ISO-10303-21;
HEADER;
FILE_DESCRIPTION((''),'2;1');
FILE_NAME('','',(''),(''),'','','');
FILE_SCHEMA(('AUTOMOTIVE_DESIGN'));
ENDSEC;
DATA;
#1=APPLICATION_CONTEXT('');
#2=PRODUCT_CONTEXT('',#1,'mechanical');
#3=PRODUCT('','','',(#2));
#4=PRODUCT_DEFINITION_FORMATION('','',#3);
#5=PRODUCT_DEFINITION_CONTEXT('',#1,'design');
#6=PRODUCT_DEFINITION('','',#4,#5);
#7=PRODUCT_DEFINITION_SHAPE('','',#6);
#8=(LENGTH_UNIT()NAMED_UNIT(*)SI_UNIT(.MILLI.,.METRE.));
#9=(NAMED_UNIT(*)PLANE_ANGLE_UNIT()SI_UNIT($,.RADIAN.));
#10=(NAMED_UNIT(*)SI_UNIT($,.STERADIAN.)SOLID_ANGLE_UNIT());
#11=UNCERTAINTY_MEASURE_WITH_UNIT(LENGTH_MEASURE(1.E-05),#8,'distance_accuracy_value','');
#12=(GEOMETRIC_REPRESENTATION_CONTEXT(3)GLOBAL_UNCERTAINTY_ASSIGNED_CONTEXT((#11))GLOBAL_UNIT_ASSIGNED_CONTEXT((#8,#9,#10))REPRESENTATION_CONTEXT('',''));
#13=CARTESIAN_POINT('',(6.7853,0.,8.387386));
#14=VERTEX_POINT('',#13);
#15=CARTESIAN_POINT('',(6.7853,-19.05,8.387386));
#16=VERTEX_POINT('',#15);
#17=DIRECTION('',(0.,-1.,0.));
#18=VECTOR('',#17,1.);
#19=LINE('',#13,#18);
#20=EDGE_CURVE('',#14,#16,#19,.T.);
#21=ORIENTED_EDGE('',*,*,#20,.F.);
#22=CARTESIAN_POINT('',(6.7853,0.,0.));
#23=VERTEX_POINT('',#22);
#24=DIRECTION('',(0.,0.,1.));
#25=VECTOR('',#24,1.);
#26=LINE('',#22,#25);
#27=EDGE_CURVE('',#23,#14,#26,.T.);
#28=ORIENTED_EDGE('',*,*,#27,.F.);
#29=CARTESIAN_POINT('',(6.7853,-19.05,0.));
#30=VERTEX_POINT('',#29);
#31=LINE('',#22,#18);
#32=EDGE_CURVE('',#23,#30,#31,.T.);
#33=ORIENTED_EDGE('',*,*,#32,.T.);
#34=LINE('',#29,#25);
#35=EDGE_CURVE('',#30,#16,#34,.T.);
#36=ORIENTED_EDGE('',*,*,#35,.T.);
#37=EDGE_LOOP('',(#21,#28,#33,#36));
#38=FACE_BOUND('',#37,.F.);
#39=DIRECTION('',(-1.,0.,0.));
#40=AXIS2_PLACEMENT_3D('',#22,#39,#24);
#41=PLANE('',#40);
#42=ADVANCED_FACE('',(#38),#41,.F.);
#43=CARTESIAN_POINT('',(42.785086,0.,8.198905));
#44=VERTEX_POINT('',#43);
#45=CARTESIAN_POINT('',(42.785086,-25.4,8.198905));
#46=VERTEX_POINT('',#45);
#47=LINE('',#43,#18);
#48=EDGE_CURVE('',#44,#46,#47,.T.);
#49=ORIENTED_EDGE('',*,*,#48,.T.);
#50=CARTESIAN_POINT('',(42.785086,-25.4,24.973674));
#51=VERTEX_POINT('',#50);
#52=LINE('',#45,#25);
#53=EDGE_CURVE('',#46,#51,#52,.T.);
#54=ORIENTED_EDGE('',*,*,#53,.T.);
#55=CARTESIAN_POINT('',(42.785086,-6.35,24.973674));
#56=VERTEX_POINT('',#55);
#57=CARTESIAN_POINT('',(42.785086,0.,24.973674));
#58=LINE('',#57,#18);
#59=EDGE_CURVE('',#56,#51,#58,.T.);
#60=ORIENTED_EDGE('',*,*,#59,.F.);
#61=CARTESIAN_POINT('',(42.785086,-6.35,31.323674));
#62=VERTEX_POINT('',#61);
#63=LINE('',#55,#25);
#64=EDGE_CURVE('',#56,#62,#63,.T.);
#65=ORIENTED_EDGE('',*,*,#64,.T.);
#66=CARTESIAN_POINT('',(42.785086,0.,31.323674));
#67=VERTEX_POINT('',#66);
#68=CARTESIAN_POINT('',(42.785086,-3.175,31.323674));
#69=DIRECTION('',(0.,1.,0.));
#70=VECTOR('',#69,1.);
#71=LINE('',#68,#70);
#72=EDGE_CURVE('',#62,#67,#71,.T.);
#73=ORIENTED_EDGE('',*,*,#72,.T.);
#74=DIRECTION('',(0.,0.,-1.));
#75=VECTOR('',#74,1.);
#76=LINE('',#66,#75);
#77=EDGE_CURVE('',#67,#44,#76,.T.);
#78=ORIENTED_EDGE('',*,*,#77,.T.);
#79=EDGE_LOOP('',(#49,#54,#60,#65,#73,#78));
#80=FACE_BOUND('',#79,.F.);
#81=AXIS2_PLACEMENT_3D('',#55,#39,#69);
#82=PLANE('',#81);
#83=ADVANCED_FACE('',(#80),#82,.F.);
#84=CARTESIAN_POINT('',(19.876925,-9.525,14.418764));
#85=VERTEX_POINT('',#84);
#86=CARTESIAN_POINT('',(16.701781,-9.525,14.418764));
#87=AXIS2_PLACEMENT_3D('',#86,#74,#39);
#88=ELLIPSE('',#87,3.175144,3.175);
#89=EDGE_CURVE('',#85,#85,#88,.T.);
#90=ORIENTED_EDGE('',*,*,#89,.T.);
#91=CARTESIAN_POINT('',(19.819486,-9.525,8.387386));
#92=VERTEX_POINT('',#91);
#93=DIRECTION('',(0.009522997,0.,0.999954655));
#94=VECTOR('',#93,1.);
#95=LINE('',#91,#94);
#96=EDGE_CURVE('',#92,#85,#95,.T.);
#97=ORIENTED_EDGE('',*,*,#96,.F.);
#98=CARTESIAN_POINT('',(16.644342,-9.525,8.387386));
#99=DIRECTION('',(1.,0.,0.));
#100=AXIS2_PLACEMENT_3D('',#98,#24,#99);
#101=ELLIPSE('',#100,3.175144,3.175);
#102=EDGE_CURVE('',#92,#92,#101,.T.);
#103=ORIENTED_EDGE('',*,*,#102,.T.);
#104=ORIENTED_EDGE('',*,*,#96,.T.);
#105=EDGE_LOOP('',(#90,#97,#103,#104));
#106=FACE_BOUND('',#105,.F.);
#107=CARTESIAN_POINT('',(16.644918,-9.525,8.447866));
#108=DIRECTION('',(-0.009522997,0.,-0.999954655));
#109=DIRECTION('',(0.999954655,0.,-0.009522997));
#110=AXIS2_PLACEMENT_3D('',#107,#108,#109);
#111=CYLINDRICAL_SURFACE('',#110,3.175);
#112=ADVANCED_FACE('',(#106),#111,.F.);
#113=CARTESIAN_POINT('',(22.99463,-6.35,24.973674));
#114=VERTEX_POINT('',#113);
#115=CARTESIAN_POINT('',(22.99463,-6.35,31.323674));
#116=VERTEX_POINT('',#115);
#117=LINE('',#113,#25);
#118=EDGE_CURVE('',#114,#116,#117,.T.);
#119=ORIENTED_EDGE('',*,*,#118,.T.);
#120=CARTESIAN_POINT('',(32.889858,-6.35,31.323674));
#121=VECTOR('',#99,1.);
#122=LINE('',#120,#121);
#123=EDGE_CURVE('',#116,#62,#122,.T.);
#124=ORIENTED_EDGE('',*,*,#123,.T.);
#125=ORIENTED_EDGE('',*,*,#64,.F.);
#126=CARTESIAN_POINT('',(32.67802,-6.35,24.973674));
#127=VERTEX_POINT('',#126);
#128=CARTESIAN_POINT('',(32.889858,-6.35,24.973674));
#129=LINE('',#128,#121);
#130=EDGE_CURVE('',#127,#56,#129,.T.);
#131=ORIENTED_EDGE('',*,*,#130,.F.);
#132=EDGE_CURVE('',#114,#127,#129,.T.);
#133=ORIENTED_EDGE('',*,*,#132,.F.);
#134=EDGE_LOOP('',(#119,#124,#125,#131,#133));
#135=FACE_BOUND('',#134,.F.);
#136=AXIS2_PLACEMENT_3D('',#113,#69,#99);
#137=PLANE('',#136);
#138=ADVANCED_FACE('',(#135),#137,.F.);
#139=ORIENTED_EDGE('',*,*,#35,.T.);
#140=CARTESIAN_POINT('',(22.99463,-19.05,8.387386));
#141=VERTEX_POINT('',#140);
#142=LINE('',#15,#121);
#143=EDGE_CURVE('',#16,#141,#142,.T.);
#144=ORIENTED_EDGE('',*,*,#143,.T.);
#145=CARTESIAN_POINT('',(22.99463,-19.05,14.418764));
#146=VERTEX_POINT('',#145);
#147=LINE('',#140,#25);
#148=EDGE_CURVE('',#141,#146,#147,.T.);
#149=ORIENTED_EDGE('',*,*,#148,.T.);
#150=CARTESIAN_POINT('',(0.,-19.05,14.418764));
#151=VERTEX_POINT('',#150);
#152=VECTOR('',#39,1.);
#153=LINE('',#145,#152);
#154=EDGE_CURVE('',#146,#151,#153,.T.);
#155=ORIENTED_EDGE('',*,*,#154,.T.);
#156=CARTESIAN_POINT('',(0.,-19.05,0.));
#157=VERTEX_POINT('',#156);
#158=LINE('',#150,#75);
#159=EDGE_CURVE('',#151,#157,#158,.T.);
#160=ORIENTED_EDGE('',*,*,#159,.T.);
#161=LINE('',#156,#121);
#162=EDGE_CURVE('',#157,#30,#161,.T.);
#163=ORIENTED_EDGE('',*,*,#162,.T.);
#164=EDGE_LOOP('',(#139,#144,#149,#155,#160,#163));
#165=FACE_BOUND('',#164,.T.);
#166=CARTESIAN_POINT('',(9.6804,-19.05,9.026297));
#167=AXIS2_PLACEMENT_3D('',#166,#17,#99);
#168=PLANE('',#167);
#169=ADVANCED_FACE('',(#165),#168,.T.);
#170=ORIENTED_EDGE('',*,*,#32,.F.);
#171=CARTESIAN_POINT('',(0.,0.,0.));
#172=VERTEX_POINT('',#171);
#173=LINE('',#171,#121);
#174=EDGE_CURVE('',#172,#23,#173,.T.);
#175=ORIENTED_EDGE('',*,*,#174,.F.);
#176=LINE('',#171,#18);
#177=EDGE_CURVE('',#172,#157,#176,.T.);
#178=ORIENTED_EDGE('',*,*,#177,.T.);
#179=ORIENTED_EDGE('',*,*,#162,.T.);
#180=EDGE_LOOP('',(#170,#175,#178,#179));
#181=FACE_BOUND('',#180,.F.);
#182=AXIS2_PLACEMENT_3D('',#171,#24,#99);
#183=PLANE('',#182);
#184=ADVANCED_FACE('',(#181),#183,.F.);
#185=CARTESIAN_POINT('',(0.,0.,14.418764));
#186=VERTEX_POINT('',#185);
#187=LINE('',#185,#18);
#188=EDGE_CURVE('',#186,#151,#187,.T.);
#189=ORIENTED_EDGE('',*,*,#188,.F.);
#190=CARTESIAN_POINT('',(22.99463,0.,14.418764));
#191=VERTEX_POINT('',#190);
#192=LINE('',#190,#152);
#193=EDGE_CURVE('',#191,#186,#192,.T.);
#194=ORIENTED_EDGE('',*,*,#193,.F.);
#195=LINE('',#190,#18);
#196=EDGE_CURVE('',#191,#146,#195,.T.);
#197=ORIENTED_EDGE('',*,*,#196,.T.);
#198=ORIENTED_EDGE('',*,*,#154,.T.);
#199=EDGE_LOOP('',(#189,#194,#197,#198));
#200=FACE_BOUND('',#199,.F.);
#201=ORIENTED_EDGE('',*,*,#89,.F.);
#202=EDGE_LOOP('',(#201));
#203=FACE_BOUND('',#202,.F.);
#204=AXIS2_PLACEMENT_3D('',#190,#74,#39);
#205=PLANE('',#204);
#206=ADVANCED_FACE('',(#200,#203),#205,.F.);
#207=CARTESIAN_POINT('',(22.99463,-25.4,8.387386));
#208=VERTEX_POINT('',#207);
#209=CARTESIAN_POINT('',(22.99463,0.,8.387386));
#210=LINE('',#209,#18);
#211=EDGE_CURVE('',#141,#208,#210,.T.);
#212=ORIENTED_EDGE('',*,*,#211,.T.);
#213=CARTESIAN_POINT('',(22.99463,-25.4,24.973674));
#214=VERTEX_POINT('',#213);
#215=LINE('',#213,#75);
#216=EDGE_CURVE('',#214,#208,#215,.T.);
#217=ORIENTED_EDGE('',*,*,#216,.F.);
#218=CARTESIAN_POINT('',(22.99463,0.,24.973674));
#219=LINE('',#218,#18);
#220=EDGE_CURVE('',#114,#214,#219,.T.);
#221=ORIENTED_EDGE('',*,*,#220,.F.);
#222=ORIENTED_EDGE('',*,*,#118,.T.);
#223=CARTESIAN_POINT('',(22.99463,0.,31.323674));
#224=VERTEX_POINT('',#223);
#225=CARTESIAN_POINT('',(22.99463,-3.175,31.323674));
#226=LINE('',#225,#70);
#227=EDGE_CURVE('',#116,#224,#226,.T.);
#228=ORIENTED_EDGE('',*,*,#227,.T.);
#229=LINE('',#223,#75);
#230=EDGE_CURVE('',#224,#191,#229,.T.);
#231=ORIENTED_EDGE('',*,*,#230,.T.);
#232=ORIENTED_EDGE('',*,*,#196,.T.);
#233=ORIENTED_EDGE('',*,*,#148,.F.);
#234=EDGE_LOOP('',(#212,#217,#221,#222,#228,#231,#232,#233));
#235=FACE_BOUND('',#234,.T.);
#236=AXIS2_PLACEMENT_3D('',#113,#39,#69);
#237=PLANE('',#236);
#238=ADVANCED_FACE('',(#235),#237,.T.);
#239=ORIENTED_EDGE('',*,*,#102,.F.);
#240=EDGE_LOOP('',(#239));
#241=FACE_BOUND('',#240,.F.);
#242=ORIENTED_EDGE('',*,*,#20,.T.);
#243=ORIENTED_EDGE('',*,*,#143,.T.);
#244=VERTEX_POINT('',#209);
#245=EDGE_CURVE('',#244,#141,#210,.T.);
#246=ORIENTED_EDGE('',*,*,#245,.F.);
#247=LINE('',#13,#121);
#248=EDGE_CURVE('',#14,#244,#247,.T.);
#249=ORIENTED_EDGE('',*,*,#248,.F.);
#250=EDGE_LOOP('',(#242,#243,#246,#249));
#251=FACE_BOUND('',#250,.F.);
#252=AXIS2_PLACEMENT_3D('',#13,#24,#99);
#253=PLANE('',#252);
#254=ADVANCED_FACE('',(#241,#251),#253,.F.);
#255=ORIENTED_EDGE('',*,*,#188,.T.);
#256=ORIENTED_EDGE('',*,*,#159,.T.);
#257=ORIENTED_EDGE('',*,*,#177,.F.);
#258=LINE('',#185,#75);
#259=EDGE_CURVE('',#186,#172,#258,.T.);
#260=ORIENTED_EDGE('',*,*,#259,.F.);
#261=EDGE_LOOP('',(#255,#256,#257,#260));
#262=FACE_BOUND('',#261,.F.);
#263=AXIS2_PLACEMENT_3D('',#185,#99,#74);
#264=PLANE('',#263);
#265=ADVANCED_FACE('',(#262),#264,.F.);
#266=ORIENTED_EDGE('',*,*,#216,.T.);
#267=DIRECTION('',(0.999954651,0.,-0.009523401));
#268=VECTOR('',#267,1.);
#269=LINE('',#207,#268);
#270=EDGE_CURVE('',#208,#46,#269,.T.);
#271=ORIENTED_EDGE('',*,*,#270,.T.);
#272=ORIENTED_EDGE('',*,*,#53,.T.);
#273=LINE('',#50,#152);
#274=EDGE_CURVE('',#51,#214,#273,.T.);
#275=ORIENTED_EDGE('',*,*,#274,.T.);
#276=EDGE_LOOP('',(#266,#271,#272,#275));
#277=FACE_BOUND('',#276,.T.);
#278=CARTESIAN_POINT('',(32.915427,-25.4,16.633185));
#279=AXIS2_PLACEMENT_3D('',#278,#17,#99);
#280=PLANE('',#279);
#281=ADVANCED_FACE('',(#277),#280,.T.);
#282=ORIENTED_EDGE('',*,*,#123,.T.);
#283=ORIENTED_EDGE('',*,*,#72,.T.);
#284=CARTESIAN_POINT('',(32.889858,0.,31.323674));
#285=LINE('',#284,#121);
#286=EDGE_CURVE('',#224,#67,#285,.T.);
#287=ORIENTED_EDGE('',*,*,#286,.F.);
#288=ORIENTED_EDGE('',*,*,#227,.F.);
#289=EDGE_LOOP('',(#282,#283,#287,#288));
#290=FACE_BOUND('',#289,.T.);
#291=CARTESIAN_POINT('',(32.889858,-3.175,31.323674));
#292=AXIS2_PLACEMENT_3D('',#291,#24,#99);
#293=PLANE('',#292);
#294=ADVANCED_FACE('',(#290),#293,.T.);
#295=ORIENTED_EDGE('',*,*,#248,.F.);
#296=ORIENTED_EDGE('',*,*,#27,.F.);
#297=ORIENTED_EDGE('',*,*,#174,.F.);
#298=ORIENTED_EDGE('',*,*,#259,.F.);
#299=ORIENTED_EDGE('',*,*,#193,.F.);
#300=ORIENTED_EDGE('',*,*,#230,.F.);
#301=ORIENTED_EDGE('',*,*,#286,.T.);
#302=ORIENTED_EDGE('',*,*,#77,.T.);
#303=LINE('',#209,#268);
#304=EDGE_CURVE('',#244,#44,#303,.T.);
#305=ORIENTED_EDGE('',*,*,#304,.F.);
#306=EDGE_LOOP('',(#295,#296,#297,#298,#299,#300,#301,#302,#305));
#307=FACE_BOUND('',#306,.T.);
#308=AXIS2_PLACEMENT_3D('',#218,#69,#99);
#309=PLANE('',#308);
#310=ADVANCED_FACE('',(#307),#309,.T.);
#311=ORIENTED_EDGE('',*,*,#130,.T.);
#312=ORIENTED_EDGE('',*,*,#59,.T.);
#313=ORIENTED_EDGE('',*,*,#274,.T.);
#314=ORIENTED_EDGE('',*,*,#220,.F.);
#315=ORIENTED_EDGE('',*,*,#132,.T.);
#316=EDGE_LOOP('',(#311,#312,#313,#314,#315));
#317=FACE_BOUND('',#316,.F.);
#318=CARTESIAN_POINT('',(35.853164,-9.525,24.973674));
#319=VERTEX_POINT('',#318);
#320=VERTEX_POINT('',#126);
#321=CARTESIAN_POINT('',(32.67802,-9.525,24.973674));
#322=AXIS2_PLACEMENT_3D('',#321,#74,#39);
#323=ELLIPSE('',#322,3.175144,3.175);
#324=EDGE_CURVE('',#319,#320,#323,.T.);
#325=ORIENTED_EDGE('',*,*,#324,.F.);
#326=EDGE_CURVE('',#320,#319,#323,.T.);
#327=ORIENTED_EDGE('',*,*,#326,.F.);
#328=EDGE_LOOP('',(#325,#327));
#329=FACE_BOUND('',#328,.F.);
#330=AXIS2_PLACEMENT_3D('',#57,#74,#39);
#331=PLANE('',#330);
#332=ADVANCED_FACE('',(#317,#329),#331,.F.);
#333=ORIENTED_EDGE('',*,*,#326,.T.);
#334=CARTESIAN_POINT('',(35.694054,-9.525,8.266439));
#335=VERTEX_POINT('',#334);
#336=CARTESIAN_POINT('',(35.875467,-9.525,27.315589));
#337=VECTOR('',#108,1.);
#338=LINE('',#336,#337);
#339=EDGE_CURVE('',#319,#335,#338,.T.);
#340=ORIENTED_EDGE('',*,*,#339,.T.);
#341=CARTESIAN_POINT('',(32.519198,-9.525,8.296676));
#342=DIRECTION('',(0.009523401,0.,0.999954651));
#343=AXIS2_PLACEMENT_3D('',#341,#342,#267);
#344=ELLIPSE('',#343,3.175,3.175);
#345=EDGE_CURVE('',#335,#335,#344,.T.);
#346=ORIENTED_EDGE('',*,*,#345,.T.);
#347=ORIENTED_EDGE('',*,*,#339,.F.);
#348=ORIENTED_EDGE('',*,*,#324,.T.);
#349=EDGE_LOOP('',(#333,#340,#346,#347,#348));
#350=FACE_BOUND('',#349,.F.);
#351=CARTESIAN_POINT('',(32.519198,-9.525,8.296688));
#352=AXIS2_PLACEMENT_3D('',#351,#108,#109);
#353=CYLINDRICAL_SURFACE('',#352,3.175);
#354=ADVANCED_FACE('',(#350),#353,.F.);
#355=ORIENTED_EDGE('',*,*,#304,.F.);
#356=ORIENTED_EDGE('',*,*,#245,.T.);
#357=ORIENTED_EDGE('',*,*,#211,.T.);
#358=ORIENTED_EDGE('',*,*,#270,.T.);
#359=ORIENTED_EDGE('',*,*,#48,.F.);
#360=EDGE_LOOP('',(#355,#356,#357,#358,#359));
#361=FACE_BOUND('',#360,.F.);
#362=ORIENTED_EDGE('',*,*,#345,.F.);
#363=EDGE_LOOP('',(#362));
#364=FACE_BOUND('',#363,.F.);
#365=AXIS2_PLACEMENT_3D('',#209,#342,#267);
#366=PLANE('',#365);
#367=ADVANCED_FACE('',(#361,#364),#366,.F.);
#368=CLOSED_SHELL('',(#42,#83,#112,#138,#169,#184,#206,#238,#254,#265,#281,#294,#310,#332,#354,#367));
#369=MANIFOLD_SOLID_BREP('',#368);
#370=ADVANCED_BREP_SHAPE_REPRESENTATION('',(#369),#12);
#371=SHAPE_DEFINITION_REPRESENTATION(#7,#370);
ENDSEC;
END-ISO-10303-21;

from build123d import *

# Parameters (mm, degrees)
F1_DEPTH = 19.05
F2_DEPTH = 25.4
F3_W     = 19.790456
F3_H     = 6.35
F4_DEPTH = 6.35
F5_R     = 3.175
F6_DEPTH = 19.05


with BuildPart() as f1:
    # F0 (on Front) → F1 (new body)
    with BuildSketch(Plane.XZ):
        Polygon((0, 14.418764), (0, 0), (6.7853, 0), (6.7853, 8.387386), (22.99463, 8.387386), (22.99463, 14.418764), align=None)
    extrude(amount=F1_DEPTH)

    # F0 (on Front) → F2 (join)
    with BuildSketch(Plane.XZ):
        Polygon((22.99463, 24.973674), (22.99463, 14.418764), (22.99463, 8.387386), (42.785086, 8.198905), (42.785086, 24.973674), align=None)
    extrude(amount=F2_DEPTH)

    # F3 (on face) → F4 (join)
    with BuildSketch(Plane.XY.offset(24.973674)):
        with Locations((32.889858, -3.175)):
            Rectangle(F3_W, F3_H)
    extrude(amount=F4_DEPTH)

    # F5 (on face) → F6 (cut, symmetric)
    with BuildSketch(Plane(origin=(0.081958, 0, 8.605602), x_dir=(0.999955, 0, -0.009523), z_dir=(-0.009523, 0, -0.999955))):
        with Locations((16.563711, 9.525)):
            Circle(F5_R)
        with Locations((32.438711, 9.525)):
            Circle(F5_R)
    extrude(amount=F6_DEPTH, both=True, mode=Mode.SUBTRACT)


solid = f1.part
